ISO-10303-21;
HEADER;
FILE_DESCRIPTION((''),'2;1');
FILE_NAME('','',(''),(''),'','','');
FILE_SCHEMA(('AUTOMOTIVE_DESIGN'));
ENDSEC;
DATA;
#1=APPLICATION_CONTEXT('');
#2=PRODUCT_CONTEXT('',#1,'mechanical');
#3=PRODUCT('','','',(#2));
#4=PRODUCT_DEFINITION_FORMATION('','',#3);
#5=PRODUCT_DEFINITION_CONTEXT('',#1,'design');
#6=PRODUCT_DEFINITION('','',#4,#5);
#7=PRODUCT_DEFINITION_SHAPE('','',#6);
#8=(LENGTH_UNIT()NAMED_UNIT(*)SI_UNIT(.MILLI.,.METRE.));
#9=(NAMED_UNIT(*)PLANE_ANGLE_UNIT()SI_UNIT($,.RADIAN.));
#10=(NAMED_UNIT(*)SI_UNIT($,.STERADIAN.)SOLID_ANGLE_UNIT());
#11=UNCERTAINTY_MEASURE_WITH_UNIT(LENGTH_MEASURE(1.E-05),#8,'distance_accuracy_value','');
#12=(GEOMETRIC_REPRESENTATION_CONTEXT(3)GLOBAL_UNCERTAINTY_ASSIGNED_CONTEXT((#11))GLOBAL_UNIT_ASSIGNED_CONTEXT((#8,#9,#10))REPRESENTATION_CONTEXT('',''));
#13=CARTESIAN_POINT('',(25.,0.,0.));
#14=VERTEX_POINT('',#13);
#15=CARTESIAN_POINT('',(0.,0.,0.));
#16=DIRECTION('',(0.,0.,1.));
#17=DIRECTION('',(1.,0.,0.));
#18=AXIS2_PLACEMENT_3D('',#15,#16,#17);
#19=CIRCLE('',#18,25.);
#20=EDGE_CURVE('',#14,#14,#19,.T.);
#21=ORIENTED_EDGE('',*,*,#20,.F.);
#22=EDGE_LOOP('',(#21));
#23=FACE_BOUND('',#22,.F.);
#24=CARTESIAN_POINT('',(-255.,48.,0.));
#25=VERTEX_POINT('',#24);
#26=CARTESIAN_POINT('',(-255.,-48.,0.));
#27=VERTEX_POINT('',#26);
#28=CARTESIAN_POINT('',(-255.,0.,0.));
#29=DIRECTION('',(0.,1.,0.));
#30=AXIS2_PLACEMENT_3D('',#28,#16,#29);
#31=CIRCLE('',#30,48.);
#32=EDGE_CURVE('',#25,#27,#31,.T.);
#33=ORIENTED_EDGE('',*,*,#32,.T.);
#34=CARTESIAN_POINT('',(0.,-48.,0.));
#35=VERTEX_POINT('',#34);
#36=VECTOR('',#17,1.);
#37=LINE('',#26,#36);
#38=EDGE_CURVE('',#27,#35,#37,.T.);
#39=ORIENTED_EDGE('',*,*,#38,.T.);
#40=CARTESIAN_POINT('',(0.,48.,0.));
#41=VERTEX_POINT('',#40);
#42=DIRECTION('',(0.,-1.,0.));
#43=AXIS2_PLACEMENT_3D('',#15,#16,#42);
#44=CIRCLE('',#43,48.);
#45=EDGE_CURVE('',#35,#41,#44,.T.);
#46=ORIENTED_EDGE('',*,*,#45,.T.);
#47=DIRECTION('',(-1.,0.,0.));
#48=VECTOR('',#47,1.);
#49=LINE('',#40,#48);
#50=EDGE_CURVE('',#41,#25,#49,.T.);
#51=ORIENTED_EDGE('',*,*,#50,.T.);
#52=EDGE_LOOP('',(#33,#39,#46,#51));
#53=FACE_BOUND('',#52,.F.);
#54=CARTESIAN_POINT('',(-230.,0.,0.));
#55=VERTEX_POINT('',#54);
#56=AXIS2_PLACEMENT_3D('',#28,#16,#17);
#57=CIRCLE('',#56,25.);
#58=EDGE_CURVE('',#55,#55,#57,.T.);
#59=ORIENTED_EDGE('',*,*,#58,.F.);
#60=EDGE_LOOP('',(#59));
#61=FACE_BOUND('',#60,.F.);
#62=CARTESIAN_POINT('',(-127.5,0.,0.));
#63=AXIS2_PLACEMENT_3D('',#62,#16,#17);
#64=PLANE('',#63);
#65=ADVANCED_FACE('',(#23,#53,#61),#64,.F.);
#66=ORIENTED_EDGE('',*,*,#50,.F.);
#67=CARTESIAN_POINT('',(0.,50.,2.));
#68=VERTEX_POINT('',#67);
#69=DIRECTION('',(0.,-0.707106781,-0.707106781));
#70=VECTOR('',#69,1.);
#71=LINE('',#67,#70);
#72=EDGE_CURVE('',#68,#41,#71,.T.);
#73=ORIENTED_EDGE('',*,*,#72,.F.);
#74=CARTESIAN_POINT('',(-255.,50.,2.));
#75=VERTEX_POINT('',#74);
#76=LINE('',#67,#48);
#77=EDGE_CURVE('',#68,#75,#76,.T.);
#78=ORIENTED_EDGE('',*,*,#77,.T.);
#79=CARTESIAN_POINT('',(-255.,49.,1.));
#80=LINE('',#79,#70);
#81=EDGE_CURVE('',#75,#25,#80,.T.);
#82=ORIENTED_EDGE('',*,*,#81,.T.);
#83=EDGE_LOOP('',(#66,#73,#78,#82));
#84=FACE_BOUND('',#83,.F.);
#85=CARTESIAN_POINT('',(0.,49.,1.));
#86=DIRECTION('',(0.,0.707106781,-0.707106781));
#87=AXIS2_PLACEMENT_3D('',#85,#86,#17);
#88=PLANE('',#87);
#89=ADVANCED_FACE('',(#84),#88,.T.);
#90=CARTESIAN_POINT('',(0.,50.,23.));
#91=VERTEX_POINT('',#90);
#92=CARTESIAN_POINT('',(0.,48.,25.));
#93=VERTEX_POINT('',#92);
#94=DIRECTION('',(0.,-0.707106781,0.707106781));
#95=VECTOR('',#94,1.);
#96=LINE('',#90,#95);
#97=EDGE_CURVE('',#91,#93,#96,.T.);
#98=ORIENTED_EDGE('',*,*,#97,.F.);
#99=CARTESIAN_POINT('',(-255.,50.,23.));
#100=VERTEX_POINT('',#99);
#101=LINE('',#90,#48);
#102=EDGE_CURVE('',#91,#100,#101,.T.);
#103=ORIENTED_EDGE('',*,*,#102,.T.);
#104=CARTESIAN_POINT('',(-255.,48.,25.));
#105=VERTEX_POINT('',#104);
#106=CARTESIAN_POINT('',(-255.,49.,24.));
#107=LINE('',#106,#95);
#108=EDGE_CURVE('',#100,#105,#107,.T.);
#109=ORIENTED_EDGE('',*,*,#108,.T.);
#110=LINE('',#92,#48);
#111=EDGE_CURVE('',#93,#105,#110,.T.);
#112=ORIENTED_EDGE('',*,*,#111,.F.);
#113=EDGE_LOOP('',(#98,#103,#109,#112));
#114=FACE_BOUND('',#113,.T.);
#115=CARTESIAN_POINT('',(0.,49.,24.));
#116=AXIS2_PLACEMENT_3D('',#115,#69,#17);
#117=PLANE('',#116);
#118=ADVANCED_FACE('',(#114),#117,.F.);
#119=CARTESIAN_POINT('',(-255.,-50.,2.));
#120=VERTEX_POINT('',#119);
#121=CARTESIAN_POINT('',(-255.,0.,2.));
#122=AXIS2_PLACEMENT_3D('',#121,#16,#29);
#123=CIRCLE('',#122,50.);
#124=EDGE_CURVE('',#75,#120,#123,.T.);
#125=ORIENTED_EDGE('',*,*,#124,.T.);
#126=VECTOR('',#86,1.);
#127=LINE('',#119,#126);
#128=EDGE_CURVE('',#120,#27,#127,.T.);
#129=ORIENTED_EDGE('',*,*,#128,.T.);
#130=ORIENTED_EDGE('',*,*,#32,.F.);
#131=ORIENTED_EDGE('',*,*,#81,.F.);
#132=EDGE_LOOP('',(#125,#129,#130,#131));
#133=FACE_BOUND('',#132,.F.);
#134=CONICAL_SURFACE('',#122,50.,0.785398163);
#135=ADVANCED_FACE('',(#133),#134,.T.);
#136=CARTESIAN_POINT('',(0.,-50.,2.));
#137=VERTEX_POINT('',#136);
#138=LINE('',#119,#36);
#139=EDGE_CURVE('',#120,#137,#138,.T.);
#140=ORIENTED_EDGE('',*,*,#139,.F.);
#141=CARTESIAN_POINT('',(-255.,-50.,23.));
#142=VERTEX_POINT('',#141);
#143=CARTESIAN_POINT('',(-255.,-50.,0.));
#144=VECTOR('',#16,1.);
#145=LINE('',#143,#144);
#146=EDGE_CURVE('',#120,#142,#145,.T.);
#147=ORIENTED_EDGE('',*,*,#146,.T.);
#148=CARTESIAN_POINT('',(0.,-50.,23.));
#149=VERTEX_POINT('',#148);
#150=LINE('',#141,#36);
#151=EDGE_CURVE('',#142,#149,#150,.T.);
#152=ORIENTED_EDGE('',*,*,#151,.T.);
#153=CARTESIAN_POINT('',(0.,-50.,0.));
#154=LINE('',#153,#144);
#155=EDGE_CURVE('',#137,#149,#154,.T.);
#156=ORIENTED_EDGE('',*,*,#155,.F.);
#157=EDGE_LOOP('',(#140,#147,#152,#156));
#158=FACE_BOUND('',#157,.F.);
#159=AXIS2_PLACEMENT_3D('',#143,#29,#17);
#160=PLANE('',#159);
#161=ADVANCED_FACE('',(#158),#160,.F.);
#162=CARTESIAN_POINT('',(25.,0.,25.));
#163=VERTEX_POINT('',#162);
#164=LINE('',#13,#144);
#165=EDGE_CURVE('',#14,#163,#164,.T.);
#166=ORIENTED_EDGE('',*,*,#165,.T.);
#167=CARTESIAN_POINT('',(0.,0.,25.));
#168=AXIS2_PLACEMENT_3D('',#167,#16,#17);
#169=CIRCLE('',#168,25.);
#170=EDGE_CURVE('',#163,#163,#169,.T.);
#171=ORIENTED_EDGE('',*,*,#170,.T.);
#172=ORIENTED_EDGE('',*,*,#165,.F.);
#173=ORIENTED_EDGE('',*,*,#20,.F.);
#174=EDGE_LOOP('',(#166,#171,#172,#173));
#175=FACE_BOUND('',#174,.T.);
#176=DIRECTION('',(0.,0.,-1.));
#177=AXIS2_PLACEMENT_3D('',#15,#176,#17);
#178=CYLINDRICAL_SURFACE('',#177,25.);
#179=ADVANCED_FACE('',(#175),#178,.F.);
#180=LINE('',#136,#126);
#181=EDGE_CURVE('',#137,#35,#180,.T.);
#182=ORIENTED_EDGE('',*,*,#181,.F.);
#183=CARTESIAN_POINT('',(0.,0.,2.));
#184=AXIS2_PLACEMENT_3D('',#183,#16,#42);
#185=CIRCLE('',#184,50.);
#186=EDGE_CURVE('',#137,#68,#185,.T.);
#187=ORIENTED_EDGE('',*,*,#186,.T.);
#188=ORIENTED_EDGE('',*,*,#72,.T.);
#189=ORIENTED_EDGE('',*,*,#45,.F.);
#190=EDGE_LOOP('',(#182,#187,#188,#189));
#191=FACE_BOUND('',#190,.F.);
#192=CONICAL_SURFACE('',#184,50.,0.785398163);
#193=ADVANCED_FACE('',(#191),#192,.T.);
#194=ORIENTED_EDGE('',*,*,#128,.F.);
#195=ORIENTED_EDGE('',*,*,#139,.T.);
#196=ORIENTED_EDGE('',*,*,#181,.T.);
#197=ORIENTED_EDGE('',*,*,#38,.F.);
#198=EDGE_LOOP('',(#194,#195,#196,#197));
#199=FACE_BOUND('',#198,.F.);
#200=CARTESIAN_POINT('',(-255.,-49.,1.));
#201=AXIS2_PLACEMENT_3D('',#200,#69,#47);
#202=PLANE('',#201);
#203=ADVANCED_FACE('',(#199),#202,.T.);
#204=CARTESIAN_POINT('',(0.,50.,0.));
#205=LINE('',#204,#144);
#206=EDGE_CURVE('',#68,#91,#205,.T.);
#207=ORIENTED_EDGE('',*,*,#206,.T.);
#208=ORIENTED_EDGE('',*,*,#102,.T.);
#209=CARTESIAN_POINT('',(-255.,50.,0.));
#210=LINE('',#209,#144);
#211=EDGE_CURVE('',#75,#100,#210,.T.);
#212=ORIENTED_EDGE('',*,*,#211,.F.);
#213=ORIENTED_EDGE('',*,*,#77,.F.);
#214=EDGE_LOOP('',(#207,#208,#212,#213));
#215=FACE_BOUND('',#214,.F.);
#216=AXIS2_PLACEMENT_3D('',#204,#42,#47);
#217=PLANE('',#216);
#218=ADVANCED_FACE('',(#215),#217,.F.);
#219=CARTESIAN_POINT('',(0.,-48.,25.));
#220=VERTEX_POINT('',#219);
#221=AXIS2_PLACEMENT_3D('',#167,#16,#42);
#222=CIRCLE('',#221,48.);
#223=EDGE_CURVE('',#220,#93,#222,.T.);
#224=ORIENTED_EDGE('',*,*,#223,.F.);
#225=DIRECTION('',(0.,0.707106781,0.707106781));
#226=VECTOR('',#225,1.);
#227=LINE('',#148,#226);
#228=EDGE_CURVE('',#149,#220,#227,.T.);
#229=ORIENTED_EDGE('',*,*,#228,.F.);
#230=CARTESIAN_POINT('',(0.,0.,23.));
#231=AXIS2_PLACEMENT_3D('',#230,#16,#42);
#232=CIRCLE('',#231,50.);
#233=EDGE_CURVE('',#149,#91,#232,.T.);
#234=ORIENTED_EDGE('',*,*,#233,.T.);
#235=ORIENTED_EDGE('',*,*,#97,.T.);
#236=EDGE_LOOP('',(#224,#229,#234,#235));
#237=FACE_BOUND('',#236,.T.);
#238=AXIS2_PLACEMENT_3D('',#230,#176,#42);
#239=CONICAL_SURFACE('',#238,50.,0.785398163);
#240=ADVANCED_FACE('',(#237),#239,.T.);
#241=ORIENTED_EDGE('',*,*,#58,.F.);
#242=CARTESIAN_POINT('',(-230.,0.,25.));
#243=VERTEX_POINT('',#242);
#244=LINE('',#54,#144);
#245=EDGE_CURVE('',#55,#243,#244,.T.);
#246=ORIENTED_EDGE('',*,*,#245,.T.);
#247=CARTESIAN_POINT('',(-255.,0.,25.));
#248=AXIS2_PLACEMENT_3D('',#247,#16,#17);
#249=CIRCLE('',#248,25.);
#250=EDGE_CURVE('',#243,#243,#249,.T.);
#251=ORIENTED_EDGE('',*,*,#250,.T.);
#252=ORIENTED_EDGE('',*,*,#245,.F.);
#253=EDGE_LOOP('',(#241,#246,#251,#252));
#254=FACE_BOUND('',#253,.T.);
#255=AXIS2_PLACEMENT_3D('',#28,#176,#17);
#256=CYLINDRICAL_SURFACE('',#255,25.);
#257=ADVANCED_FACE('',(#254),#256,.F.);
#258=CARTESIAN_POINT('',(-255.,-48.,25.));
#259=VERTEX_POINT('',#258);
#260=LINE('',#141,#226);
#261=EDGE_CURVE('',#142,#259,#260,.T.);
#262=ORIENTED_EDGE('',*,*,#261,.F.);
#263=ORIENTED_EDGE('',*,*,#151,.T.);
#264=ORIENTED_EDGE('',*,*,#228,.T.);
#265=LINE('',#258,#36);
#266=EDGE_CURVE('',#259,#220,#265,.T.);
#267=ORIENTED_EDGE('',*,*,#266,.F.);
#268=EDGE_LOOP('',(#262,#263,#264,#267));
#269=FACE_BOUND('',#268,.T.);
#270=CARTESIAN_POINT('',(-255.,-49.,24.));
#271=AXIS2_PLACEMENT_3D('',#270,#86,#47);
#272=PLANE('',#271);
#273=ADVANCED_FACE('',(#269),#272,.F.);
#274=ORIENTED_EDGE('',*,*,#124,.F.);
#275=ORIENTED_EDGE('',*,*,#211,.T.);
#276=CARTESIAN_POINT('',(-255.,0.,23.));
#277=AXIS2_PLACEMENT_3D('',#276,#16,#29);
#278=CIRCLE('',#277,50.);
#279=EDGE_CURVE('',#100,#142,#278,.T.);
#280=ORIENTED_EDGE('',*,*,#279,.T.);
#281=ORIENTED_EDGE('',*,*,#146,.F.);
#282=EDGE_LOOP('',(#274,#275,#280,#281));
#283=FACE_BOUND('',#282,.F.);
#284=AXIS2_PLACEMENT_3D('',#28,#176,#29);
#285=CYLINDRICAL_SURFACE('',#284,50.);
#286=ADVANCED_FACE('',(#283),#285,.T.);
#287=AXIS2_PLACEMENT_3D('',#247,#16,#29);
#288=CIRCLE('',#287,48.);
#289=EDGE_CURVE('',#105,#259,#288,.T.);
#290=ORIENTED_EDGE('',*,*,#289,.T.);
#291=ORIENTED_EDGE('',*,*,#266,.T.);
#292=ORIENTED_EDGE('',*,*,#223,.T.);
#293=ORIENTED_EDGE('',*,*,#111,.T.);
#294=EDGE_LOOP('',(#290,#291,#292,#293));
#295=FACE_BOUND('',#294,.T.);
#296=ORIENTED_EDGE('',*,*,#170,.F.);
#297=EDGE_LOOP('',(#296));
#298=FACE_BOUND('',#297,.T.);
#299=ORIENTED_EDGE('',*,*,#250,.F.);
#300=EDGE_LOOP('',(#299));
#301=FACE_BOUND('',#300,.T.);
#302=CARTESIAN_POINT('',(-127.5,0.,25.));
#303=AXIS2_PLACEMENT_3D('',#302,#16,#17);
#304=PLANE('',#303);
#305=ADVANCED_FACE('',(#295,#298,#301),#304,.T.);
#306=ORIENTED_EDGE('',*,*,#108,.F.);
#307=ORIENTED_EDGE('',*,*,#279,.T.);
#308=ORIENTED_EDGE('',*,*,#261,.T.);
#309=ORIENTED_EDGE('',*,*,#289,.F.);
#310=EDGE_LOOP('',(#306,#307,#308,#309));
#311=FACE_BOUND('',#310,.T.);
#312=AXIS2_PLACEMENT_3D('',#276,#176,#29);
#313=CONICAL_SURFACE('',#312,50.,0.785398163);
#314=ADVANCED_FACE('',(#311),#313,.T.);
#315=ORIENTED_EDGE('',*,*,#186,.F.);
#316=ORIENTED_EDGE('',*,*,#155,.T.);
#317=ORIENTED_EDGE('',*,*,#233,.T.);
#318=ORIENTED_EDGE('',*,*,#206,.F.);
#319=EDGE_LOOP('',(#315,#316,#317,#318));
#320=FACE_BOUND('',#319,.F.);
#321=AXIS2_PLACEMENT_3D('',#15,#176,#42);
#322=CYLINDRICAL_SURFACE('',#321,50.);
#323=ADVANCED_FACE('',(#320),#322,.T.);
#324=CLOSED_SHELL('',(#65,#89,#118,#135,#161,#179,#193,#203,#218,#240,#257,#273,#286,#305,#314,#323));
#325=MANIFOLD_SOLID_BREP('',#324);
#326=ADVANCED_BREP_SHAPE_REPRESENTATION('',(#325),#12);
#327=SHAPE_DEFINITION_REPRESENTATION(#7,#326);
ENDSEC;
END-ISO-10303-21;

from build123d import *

# Parameters (mm, degrees)
F0_R     = 25
F1_DEPTH = 25
F2_SIZE2 = 2
F2_SIZE  = 2


with BuildPart() as f1:
    # F0 (on Top) → F1 (new body)
    with BuildSketch(Plane.XY):
        with BuildLine():
            Line((-255, -50), (0, -50))
            ThreePointArc((0, -50), (50, 0), (0, 50))
            Line((0, 50), (-255, 50))
            ThreePointArc((-255, 50), (-305, 0), (-255, -50))
        make_face()
        with Locations((-255, 0)):
            Circle(F0_R, mode=Mode.SUBTRACT)
        Circle(F0_R, mode=Mode.SUBTRACT)
    extrude(amount=F1_DEPTH)

    # F2
    f2_edges = [f1.edges().sort_by_distance(p)[0] for p in [
        (50, 0, 25),
        (50, 0, 0),
    ]]
    chamfer(f2_edges, length=F2_SIZE, length2=F2_SIZE2)


solid = f1.part
